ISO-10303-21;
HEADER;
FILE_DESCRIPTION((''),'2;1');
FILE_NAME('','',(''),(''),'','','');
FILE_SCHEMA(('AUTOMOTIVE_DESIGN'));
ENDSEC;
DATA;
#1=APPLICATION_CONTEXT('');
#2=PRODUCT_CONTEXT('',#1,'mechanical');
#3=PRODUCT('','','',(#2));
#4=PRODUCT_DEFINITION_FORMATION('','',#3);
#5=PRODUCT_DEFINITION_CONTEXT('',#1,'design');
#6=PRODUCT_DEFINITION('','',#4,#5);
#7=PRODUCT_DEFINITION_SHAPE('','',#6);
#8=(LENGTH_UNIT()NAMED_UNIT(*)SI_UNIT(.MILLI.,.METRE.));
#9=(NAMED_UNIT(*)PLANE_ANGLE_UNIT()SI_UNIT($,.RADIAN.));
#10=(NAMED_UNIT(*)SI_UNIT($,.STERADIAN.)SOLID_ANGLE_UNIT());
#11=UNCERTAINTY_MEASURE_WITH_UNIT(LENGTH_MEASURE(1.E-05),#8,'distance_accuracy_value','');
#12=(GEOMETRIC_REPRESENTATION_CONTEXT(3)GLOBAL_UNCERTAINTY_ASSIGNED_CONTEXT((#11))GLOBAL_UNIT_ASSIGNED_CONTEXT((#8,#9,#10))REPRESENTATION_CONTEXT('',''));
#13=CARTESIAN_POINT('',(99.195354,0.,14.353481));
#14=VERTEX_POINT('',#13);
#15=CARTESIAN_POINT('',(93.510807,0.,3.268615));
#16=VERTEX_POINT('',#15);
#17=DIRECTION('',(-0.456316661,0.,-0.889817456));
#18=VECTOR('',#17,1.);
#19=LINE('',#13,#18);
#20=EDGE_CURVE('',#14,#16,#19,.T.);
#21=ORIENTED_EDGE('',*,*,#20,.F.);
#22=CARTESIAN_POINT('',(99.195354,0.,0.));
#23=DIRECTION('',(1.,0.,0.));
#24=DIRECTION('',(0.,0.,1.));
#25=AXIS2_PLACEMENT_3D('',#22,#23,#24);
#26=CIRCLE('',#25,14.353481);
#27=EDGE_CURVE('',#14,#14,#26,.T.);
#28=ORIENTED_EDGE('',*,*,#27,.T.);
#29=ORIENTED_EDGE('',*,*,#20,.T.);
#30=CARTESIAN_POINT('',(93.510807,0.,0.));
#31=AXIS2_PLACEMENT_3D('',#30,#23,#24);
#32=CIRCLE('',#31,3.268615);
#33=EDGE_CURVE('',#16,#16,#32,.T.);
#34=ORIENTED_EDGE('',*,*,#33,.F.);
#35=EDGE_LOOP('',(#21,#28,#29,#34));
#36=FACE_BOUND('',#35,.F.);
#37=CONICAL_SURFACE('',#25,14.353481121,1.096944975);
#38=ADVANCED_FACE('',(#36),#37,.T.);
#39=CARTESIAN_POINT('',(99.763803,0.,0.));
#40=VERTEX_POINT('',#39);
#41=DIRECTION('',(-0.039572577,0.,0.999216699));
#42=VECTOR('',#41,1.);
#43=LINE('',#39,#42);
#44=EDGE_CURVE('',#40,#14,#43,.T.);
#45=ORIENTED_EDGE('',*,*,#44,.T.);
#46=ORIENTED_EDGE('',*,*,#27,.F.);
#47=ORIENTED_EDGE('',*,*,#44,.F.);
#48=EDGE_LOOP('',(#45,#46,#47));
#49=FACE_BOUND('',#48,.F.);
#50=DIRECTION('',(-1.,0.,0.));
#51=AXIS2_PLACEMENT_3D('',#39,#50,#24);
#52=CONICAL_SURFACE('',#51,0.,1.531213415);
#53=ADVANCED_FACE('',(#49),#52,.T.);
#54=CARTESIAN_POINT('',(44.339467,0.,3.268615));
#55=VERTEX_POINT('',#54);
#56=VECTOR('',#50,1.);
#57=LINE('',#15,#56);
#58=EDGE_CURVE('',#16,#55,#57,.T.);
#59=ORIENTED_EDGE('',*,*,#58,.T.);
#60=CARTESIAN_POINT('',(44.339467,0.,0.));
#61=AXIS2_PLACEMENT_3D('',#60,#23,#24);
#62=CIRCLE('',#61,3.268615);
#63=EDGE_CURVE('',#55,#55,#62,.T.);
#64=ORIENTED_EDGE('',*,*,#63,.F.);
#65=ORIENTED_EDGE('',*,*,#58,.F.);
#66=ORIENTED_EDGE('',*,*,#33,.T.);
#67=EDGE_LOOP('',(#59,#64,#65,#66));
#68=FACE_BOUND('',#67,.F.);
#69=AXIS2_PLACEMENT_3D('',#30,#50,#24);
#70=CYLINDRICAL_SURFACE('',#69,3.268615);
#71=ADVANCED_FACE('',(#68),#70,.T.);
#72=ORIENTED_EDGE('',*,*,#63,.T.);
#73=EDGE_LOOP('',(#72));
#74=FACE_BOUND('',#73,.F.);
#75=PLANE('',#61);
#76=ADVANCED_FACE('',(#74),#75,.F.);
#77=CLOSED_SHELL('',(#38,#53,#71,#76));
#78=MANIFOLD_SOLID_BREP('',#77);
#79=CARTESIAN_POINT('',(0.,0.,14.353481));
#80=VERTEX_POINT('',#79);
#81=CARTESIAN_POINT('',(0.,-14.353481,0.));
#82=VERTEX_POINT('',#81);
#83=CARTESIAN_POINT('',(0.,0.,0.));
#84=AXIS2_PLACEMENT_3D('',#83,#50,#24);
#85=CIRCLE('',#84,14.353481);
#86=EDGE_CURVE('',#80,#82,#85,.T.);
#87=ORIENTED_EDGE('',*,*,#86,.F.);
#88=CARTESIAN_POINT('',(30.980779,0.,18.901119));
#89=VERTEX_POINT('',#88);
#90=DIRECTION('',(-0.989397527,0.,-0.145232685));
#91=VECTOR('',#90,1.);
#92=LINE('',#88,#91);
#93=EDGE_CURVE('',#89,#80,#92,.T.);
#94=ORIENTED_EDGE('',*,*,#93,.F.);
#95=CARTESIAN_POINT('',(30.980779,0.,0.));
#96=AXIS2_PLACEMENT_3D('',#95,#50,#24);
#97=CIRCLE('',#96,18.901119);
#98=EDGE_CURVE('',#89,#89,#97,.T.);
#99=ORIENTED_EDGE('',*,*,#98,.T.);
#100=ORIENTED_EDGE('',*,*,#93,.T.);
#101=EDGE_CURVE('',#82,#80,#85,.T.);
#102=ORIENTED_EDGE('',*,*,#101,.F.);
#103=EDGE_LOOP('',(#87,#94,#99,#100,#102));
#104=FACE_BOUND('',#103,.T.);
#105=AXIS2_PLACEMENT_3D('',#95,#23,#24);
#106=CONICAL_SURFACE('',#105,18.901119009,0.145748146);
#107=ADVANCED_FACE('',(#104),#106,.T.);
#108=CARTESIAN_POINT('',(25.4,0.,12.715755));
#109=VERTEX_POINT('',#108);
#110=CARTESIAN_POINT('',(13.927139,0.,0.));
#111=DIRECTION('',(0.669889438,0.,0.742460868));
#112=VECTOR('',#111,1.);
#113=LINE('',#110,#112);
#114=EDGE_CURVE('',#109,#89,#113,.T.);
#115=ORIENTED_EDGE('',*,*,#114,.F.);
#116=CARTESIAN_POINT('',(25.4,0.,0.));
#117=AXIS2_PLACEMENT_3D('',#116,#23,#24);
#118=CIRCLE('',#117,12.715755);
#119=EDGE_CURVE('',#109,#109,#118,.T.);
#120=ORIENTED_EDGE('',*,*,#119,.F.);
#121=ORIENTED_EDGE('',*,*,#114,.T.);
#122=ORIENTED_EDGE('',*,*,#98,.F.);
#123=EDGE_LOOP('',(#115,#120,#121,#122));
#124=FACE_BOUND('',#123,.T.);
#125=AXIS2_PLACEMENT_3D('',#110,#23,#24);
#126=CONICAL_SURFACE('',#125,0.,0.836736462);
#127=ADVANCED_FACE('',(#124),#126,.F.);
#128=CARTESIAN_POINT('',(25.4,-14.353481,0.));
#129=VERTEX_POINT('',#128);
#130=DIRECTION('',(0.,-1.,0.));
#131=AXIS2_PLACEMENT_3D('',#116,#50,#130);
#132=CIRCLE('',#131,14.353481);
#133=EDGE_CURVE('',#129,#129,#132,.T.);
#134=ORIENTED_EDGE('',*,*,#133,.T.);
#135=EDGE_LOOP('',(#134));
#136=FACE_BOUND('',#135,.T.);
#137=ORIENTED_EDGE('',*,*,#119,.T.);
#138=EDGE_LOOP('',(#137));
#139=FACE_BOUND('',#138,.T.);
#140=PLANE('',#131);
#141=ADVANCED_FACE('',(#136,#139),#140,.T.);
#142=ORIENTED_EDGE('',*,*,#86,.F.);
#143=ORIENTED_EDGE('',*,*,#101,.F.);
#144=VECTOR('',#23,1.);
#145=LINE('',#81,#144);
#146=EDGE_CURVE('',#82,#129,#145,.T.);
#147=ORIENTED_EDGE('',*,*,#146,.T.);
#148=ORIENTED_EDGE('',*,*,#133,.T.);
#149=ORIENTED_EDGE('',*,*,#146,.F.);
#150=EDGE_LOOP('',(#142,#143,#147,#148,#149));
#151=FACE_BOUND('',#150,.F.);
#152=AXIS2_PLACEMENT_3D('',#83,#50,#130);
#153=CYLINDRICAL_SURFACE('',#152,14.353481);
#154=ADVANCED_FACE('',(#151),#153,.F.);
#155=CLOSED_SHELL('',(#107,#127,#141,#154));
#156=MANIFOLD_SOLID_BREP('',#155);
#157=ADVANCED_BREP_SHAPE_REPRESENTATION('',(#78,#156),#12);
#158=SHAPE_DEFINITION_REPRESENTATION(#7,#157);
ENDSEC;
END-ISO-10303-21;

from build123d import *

# Parameters (mm, degrees)
F2_R     = 14.3534811214
F3_DEPTH = 25.4


with BuildPart() as f1:
    # F0 (on Front) → F1 (revolve)
    with BuildSketch(Plane.XZ):
        Polygon((0, 14.3534811214), (0, 0), (13.9271393418, 0), (30.9807788581, 18.9011190087), align=None)
    revolve(axis=Axis((6.9635696709, 0, 0), (-1, 0, 0)))

    # F2 (on face) → F3 (cut)
    with BuildSketch(Plane(origin=(0, 0, 0), x_dir=(0, -1, 0), z_dir=(-1, 0, 0))):
        Circle(F2_R)
    extrude(amount=-F3_DEPTH, mode=Mode.SUBTRACT)


with BuildPart() as f5:
    # F4 (on Front) → F5 (revolve)
    with BuildSketch(Plane.XZ):
        Polygon((44.33946684, 3.2686146442), (44.33946684, 0), (93.5108065605, 0), (99.763803184, 0), (99.1953536868, 14.3534811214), (93.5108065605, 3.2686146442), align=None)
    revolve(axis=Axis((68.9251367003, 0, 0), (1, 0, 0)))


solid = Compound([f1.part, f5.part])
